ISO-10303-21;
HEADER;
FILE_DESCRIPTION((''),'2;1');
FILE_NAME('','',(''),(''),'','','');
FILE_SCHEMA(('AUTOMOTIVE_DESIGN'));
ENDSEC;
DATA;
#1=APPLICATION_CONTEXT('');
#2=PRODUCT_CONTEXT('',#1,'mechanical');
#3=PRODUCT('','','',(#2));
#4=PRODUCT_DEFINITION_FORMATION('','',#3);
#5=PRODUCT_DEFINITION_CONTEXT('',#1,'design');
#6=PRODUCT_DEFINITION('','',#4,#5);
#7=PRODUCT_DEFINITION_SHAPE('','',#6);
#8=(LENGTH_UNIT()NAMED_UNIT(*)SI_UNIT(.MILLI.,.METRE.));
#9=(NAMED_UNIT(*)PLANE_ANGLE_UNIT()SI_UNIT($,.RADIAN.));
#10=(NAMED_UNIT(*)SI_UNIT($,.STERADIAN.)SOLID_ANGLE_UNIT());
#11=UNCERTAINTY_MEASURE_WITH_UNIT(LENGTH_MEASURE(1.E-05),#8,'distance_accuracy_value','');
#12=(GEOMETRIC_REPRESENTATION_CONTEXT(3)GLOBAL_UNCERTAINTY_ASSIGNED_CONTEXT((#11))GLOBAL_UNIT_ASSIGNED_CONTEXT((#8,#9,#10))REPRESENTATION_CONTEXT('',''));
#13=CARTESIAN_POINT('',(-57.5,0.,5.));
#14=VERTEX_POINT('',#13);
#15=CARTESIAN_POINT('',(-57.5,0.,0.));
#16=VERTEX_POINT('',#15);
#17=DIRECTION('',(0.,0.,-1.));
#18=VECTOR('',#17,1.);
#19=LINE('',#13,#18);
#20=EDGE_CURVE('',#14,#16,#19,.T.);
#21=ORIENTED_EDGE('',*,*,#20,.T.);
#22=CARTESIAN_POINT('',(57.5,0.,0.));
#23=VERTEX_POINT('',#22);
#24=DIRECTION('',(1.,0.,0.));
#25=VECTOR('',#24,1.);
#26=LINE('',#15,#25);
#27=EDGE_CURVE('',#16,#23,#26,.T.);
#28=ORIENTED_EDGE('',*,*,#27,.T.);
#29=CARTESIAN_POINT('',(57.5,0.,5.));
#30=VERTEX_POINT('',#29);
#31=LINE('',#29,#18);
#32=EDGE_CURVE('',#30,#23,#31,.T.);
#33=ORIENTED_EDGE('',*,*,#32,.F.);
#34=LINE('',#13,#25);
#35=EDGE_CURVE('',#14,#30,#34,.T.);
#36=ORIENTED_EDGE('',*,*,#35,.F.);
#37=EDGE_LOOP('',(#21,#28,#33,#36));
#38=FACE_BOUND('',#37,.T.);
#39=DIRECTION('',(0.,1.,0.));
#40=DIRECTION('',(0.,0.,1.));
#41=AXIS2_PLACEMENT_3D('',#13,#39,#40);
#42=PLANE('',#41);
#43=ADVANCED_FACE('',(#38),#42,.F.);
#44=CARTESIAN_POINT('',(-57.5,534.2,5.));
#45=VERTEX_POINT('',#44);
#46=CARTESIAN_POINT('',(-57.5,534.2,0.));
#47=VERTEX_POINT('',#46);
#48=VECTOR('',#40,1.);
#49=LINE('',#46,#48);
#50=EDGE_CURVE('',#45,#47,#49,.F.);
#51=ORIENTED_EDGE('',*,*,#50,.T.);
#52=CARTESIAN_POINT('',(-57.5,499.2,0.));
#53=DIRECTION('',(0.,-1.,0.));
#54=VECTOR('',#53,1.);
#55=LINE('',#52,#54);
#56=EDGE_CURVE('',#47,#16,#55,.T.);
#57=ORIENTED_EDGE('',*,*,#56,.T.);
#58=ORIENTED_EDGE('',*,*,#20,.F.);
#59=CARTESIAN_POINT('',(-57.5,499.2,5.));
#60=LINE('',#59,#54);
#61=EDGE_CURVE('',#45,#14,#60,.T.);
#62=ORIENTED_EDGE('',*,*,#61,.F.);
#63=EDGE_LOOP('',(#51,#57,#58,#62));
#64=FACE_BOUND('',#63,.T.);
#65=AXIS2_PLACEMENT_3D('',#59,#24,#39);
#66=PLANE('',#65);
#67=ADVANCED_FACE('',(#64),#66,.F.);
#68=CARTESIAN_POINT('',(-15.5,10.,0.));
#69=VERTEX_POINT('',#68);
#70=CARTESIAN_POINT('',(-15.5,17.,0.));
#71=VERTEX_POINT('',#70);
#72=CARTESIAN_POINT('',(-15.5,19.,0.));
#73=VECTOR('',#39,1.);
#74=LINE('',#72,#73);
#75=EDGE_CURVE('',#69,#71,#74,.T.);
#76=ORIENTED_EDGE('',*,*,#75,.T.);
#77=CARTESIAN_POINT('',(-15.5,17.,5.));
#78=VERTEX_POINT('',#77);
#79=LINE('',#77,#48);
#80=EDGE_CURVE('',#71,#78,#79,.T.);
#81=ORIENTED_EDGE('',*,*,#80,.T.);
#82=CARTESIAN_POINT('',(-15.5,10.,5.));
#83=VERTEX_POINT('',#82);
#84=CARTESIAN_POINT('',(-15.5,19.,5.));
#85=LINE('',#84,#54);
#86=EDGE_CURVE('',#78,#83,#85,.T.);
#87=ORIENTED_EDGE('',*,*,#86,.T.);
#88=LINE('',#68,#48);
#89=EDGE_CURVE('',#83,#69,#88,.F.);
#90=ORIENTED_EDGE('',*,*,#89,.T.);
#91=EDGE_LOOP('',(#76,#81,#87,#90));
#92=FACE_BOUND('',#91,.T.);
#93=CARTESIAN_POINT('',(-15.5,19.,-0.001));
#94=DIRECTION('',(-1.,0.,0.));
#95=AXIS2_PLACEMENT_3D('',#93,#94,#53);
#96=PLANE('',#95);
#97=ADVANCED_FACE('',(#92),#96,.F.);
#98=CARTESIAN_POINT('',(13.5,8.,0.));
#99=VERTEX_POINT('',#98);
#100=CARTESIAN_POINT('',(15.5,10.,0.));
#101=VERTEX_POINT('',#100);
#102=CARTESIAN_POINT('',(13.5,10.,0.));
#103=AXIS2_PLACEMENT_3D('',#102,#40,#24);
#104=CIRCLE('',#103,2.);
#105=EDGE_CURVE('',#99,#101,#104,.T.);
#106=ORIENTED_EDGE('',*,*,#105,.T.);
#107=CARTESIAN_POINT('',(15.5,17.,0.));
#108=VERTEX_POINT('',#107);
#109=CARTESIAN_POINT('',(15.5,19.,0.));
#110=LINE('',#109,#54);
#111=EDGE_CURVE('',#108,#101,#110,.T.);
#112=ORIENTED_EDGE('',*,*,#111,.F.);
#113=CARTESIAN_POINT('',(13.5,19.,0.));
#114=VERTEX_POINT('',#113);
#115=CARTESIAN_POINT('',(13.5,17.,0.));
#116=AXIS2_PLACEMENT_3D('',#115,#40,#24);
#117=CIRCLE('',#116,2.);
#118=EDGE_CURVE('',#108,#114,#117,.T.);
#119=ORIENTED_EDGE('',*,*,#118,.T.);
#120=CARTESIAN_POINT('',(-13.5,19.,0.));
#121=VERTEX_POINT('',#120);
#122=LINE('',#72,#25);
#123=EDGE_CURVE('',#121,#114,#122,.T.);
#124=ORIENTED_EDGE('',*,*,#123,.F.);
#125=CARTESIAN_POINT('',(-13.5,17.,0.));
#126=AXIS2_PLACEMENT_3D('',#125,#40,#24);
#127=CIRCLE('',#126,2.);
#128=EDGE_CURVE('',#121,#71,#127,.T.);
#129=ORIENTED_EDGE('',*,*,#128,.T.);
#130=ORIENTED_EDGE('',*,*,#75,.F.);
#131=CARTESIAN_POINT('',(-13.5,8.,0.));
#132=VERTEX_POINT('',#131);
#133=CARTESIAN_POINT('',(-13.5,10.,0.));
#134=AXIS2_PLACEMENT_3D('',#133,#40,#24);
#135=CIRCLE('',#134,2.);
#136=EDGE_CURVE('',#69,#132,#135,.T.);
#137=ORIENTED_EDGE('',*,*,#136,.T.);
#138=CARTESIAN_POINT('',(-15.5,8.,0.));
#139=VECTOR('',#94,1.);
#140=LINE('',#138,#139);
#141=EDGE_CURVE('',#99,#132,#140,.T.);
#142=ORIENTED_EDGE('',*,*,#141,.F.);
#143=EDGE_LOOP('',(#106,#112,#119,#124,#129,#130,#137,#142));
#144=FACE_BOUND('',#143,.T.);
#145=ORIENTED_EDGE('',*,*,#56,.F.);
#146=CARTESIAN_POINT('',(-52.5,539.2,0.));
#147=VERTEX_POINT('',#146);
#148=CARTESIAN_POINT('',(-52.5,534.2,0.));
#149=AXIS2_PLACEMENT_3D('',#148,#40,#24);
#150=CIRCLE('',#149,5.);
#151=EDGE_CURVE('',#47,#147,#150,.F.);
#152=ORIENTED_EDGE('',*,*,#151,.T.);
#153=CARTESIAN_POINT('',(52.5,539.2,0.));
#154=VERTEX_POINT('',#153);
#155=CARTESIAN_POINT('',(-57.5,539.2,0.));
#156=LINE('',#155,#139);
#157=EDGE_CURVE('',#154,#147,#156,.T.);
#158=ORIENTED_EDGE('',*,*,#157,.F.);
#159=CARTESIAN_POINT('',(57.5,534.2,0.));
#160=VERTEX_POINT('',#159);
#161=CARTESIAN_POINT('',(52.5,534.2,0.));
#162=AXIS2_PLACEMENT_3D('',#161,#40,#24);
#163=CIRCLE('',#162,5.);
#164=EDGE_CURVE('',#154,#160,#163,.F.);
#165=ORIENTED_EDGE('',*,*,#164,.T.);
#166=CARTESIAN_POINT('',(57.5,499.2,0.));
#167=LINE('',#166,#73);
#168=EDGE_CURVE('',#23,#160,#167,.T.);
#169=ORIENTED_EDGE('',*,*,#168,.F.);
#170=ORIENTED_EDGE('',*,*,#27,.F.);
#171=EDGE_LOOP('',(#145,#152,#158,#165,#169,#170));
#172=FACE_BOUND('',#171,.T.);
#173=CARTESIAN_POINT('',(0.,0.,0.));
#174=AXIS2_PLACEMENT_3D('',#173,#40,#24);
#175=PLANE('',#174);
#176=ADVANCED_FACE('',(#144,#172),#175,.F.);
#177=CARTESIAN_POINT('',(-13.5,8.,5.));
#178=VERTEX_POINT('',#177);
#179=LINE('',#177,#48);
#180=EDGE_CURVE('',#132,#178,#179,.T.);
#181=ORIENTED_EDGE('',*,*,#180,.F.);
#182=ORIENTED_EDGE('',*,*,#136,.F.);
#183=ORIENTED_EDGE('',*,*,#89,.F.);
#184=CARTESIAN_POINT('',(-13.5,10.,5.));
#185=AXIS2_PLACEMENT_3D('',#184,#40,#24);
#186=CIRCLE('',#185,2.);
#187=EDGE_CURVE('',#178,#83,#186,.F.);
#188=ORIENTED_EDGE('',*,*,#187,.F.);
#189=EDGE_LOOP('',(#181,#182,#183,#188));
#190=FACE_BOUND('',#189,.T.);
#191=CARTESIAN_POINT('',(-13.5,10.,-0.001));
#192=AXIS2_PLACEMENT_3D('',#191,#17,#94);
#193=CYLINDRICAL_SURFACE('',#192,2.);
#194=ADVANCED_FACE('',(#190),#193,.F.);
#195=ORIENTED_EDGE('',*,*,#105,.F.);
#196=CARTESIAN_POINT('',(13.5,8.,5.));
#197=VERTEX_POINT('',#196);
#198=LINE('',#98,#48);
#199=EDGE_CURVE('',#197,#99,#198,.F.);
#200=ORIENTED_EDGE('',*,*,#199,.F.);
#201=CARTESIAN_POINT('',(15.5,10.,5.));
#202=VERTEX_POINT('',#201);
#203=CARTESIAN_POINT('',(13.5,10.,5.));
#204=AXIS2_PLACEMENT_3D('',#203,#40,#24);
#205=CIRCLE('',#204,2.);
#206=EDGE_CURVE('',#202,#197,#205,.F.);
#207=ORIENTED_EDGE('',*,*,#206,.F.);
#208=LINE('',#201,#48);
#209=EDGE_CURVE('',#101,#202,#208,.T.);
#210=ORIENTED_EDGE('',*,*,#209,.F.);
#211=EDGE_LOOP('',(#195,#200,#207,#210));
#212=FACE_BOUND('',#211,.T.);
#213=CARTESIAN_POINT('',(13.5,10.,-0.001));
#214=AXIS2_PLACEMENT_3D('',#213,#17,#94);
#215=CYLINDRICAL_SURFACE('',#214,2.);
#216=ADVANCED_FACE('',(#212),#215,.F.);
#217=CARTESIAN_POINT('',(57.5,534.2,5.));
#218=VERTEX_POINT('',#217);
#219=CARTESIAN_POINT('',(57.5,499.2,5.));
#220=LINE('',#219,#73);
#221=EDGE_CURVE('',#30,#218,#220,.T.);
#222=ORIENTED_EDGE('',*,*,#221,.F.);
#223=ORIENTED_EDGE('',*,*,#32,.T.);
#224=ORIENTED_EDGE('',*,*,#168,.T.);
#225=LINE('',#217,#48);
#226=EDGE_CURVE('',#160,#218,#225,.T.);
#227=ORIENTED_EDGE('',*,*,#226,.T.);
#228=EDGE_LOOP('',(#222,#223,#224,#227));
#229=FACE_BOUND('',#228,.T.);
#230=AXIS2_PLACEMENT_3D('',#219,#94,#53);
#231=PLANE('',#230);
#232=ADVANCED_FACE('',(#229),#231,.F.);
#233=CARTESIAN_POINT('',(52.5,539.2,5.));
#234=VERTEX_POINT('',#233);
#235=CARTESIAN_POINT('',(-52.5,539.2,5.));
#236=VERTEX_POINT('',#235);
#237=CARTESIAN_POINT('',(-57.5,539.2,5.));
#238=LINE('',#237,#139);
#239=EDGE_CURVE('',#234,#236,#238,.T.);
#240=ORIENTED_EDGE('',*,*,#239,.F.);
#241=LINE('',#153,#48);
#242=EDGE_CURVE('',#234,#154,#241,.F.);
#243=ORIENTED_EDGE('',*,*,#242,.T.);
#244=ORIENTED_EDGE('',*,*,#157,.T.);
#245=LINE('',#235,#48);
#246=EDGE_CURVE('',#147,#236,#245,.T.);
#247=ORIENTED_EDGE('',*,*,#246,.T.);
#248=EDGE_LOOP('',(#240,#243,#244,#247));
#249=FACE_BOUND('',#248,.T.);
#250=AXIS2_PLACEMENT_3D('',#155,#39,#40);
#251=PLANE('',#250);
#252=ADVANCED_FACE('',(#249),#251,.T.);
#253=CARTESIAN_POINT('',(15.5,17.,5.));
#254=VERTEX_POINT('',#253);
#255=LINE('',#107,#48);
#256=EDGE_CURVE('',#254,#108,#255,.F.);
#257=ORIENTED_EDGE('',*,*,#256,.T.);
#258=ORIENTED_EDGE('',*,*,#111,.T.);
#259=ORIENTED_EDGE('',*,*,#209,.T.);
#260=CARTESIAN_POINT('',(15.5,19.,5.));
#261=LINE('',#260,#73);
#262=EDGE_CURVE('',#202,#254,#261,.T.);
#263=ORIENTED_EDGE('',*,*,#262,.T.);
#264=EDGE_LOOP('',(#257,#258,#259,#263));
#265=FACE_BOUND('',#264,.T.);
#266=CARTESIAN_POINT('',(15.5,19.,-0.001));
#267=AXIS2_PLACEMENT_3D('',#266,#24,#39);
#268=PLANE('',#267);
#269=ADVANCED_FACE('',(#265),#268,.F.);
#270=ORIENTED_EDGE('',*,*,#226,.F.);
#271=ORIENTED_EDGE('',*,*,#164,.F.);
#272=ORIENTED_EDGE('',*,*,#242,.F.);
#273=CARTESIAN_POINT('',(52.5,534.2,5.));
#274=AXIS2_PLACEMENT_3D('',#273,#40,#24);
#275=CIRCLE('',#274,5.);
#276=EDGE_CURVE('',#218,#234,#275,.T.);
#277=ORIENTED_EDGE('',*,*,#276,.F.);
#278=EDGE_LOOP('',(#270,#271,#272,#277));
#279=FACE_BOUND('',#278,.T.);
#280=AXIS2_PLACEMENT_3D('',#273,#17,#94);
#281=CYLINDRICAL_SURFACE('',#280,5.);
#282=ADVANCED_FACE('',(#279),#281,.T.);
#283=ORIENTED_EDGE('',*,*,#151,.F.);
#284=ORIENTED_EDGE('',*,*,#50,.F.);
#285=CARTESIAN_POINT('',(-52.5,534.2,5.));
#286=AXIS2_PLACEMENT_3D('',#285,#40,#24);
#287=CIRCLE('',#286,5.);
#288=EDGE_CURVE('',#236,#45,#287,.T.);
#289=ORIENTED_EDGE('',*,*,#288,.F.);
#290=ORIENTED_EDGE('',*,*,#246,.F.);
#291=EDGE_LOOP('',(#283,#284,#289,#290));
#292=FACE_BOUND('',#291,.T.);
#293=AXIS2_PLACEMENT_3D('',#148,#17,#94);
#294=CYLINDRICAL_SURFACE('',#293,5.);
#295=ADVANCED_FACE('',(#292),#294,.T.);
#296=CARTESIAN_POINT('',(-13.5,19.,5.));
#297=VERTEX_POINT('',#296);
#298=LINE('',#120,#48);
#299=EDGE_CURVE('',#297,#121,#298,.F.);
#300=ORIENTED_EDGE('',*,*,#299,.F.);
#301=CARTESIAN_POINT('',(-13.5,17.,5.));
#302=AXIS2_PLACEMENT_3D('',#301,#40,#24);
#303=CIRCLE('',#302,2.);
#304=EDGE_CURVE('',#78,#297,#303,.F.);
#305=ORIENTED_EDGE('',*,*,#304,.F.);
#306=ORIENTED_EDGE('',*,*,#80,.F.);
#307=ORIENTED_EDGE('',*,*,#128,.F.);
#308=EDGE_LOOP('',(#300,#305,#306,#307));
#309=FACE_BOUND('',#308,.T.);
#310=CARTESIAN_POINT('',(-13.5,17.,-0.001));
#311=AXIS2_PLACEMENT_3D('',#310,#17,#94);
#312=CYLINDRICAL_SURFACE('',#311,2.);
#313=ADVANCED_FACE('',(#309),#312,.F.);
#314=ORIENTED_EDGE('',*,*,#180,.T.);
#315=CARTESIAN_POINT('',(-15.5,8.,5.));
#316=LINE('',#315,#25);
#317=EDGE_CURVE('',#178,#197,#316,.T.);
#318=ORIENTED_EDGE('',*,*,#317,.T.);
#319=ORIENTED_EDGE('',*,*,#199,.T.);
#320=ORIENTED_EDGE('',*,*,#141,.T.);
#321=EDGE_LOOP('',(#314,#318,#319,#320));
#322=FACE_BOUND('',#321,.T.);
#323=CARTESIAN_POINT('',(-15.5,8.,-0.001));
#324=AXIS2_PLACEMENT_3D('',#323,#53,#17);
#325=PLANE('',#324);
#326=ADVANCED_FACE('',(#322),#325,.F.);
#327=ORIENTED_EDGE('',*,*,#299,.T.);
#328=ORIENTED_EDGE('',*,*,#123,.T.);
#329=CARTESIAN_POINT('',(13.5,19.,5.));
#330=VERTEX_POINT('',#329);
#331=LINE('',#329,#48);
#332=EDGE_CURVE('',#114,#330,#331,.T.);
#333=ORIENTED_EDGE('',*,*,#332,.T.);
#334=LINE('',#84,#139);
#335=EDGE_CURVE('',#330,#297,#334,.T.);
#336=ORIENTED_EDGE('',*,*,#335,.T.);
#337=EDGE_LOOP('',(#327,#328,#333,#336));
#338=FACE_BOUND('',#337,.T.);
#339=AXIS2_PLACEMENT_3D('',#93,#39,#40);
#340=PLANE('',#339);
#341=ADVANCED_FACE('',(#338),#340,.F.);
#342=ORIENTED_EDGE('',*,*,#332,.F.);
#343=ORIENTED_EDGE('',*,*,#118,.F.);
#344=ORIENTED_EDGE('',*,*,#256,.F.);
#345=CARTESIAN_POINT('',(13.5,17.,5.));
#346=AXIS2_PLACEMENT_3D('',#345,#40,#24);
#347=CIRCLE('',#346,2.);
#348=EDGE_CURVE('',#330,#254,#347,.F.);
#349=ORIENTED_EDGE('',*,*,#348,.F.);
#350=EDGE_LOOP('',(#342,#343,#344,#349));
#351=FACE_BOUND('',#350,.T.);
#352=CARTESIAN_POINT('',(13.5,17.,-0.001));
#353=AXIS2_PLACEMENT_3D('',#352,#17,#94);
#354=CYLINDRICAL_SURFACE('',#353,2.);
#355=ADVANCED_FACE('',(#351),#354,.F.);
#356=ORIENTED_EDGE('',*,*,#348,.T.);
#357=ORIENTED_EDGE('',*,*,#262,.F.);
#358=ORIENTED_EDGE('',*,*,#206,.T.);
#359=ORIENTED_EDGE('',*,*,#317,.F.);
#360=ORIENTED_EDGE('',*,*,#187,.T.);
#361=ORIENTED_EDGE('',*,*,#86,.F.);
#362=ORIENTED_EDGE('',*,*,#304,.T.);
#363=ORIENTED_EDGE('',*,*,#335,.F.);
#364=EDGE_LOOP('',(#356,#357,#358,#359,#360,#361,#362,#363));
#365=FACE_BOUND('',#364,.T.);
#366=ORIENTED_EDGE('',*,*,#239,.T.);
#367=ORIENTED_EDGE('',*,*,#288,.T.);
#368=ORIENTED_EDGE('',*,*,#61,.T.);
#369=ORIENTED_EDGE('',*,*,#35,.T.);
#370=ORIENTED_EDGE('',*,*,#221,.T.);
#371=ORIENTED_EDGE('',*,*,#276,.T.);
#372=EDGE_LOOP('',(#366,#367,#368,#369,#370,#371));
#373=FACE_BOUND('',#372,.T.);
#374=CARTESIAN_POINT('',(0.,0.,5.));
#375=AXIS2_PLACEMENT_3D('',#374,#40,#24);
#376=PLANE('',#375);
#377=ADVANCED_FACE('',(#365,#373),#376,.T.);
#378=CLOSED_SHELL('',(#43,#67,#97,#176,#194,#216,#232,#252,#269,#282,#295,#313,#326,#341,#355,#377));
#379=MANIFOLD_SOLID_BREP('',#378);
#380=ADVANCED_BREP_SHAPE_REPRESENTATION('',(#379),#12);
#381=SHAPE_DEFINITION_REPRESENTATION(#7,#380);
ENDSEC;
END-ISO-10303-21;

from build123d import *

# Parameters (mm, degrees)
SKETCH1_W           = 115
SKETCH1_H           = 499.2
BOSS_EXTRUDE1_DEPTH = 5
CUT_EXTRUDE1_REACH  = 7
SKETCH2_W           = 31
SKETCH2_H           = 11
FILLET1_R           = 2
SKETCH3_W           = 115
SKETCH3_H           = 40
BOSS_EXTRUDE2_DEPTH = 5
FILLET2_R           = 5


with BuildPart() as part:
    # Sketch1 → Boss-Extrude1 (new body)
    with BuildSketch(Plane.XY):
        with Locations((0, 249.6)):
            Rectangle(SKETCH1_W, SKETCH1_H)
    extrude(amount=BOSS_EXTRUDE1_DEPTH)

    # Sketch2 → Cut-Extrude1 (cut, up to next)
    with BuildSketch(Plane.XY.offset(5), mode=Mode.PRIVATE) as cut_extrude1_sk1:
        with Locations((0, 13.5)):
            Rectangle(SKETCH2_W, SKETCH2_H)
    cut_extrude1_tool1 = extrude(cut_extrude1_sk1.sketch, amount=-CUT_EXTRUDE1_REACH, mode=Mode.PRIVATE) & part.part
    add(cut_extrude1_tool1.solids().sort_by_distance((0, 13.5, 5))[0], mode=Mode.SUBTRACT)

    # Fillet1
    fillet1_edges = [part.edges().sort_by_distance(p)[0] for p in [
        (-15.5, 8, 2.5),
        (-15.5, 19, 2.5),
        (15.5, 19, 2.5),
        (15.5, 8, 2.5),
    ]]
    fillet(fillet1_edges, radius=FILLET1_R)

    # Sketch3 → Boss-Extrude2 (add)
    with BuildSketch(Plane.XY.offset(5)):
        with Locations((0, 519.2)):
            Rectangle(SKETCH3_W, SKETCH3_H)
    extrude(amount=-BOSS_EXTRUDE2_DEPTH)

    # Fillet2
    fillet2_edges = [part.edges().sort_by_distance(p)[0] for p in [
        (-57.5, 539.2, 2.5),
        (57.5, 539.2, 2.5),
    ]]
    fillet(fillet2_edges, radius=FILLET2_R)


solid = part.part
